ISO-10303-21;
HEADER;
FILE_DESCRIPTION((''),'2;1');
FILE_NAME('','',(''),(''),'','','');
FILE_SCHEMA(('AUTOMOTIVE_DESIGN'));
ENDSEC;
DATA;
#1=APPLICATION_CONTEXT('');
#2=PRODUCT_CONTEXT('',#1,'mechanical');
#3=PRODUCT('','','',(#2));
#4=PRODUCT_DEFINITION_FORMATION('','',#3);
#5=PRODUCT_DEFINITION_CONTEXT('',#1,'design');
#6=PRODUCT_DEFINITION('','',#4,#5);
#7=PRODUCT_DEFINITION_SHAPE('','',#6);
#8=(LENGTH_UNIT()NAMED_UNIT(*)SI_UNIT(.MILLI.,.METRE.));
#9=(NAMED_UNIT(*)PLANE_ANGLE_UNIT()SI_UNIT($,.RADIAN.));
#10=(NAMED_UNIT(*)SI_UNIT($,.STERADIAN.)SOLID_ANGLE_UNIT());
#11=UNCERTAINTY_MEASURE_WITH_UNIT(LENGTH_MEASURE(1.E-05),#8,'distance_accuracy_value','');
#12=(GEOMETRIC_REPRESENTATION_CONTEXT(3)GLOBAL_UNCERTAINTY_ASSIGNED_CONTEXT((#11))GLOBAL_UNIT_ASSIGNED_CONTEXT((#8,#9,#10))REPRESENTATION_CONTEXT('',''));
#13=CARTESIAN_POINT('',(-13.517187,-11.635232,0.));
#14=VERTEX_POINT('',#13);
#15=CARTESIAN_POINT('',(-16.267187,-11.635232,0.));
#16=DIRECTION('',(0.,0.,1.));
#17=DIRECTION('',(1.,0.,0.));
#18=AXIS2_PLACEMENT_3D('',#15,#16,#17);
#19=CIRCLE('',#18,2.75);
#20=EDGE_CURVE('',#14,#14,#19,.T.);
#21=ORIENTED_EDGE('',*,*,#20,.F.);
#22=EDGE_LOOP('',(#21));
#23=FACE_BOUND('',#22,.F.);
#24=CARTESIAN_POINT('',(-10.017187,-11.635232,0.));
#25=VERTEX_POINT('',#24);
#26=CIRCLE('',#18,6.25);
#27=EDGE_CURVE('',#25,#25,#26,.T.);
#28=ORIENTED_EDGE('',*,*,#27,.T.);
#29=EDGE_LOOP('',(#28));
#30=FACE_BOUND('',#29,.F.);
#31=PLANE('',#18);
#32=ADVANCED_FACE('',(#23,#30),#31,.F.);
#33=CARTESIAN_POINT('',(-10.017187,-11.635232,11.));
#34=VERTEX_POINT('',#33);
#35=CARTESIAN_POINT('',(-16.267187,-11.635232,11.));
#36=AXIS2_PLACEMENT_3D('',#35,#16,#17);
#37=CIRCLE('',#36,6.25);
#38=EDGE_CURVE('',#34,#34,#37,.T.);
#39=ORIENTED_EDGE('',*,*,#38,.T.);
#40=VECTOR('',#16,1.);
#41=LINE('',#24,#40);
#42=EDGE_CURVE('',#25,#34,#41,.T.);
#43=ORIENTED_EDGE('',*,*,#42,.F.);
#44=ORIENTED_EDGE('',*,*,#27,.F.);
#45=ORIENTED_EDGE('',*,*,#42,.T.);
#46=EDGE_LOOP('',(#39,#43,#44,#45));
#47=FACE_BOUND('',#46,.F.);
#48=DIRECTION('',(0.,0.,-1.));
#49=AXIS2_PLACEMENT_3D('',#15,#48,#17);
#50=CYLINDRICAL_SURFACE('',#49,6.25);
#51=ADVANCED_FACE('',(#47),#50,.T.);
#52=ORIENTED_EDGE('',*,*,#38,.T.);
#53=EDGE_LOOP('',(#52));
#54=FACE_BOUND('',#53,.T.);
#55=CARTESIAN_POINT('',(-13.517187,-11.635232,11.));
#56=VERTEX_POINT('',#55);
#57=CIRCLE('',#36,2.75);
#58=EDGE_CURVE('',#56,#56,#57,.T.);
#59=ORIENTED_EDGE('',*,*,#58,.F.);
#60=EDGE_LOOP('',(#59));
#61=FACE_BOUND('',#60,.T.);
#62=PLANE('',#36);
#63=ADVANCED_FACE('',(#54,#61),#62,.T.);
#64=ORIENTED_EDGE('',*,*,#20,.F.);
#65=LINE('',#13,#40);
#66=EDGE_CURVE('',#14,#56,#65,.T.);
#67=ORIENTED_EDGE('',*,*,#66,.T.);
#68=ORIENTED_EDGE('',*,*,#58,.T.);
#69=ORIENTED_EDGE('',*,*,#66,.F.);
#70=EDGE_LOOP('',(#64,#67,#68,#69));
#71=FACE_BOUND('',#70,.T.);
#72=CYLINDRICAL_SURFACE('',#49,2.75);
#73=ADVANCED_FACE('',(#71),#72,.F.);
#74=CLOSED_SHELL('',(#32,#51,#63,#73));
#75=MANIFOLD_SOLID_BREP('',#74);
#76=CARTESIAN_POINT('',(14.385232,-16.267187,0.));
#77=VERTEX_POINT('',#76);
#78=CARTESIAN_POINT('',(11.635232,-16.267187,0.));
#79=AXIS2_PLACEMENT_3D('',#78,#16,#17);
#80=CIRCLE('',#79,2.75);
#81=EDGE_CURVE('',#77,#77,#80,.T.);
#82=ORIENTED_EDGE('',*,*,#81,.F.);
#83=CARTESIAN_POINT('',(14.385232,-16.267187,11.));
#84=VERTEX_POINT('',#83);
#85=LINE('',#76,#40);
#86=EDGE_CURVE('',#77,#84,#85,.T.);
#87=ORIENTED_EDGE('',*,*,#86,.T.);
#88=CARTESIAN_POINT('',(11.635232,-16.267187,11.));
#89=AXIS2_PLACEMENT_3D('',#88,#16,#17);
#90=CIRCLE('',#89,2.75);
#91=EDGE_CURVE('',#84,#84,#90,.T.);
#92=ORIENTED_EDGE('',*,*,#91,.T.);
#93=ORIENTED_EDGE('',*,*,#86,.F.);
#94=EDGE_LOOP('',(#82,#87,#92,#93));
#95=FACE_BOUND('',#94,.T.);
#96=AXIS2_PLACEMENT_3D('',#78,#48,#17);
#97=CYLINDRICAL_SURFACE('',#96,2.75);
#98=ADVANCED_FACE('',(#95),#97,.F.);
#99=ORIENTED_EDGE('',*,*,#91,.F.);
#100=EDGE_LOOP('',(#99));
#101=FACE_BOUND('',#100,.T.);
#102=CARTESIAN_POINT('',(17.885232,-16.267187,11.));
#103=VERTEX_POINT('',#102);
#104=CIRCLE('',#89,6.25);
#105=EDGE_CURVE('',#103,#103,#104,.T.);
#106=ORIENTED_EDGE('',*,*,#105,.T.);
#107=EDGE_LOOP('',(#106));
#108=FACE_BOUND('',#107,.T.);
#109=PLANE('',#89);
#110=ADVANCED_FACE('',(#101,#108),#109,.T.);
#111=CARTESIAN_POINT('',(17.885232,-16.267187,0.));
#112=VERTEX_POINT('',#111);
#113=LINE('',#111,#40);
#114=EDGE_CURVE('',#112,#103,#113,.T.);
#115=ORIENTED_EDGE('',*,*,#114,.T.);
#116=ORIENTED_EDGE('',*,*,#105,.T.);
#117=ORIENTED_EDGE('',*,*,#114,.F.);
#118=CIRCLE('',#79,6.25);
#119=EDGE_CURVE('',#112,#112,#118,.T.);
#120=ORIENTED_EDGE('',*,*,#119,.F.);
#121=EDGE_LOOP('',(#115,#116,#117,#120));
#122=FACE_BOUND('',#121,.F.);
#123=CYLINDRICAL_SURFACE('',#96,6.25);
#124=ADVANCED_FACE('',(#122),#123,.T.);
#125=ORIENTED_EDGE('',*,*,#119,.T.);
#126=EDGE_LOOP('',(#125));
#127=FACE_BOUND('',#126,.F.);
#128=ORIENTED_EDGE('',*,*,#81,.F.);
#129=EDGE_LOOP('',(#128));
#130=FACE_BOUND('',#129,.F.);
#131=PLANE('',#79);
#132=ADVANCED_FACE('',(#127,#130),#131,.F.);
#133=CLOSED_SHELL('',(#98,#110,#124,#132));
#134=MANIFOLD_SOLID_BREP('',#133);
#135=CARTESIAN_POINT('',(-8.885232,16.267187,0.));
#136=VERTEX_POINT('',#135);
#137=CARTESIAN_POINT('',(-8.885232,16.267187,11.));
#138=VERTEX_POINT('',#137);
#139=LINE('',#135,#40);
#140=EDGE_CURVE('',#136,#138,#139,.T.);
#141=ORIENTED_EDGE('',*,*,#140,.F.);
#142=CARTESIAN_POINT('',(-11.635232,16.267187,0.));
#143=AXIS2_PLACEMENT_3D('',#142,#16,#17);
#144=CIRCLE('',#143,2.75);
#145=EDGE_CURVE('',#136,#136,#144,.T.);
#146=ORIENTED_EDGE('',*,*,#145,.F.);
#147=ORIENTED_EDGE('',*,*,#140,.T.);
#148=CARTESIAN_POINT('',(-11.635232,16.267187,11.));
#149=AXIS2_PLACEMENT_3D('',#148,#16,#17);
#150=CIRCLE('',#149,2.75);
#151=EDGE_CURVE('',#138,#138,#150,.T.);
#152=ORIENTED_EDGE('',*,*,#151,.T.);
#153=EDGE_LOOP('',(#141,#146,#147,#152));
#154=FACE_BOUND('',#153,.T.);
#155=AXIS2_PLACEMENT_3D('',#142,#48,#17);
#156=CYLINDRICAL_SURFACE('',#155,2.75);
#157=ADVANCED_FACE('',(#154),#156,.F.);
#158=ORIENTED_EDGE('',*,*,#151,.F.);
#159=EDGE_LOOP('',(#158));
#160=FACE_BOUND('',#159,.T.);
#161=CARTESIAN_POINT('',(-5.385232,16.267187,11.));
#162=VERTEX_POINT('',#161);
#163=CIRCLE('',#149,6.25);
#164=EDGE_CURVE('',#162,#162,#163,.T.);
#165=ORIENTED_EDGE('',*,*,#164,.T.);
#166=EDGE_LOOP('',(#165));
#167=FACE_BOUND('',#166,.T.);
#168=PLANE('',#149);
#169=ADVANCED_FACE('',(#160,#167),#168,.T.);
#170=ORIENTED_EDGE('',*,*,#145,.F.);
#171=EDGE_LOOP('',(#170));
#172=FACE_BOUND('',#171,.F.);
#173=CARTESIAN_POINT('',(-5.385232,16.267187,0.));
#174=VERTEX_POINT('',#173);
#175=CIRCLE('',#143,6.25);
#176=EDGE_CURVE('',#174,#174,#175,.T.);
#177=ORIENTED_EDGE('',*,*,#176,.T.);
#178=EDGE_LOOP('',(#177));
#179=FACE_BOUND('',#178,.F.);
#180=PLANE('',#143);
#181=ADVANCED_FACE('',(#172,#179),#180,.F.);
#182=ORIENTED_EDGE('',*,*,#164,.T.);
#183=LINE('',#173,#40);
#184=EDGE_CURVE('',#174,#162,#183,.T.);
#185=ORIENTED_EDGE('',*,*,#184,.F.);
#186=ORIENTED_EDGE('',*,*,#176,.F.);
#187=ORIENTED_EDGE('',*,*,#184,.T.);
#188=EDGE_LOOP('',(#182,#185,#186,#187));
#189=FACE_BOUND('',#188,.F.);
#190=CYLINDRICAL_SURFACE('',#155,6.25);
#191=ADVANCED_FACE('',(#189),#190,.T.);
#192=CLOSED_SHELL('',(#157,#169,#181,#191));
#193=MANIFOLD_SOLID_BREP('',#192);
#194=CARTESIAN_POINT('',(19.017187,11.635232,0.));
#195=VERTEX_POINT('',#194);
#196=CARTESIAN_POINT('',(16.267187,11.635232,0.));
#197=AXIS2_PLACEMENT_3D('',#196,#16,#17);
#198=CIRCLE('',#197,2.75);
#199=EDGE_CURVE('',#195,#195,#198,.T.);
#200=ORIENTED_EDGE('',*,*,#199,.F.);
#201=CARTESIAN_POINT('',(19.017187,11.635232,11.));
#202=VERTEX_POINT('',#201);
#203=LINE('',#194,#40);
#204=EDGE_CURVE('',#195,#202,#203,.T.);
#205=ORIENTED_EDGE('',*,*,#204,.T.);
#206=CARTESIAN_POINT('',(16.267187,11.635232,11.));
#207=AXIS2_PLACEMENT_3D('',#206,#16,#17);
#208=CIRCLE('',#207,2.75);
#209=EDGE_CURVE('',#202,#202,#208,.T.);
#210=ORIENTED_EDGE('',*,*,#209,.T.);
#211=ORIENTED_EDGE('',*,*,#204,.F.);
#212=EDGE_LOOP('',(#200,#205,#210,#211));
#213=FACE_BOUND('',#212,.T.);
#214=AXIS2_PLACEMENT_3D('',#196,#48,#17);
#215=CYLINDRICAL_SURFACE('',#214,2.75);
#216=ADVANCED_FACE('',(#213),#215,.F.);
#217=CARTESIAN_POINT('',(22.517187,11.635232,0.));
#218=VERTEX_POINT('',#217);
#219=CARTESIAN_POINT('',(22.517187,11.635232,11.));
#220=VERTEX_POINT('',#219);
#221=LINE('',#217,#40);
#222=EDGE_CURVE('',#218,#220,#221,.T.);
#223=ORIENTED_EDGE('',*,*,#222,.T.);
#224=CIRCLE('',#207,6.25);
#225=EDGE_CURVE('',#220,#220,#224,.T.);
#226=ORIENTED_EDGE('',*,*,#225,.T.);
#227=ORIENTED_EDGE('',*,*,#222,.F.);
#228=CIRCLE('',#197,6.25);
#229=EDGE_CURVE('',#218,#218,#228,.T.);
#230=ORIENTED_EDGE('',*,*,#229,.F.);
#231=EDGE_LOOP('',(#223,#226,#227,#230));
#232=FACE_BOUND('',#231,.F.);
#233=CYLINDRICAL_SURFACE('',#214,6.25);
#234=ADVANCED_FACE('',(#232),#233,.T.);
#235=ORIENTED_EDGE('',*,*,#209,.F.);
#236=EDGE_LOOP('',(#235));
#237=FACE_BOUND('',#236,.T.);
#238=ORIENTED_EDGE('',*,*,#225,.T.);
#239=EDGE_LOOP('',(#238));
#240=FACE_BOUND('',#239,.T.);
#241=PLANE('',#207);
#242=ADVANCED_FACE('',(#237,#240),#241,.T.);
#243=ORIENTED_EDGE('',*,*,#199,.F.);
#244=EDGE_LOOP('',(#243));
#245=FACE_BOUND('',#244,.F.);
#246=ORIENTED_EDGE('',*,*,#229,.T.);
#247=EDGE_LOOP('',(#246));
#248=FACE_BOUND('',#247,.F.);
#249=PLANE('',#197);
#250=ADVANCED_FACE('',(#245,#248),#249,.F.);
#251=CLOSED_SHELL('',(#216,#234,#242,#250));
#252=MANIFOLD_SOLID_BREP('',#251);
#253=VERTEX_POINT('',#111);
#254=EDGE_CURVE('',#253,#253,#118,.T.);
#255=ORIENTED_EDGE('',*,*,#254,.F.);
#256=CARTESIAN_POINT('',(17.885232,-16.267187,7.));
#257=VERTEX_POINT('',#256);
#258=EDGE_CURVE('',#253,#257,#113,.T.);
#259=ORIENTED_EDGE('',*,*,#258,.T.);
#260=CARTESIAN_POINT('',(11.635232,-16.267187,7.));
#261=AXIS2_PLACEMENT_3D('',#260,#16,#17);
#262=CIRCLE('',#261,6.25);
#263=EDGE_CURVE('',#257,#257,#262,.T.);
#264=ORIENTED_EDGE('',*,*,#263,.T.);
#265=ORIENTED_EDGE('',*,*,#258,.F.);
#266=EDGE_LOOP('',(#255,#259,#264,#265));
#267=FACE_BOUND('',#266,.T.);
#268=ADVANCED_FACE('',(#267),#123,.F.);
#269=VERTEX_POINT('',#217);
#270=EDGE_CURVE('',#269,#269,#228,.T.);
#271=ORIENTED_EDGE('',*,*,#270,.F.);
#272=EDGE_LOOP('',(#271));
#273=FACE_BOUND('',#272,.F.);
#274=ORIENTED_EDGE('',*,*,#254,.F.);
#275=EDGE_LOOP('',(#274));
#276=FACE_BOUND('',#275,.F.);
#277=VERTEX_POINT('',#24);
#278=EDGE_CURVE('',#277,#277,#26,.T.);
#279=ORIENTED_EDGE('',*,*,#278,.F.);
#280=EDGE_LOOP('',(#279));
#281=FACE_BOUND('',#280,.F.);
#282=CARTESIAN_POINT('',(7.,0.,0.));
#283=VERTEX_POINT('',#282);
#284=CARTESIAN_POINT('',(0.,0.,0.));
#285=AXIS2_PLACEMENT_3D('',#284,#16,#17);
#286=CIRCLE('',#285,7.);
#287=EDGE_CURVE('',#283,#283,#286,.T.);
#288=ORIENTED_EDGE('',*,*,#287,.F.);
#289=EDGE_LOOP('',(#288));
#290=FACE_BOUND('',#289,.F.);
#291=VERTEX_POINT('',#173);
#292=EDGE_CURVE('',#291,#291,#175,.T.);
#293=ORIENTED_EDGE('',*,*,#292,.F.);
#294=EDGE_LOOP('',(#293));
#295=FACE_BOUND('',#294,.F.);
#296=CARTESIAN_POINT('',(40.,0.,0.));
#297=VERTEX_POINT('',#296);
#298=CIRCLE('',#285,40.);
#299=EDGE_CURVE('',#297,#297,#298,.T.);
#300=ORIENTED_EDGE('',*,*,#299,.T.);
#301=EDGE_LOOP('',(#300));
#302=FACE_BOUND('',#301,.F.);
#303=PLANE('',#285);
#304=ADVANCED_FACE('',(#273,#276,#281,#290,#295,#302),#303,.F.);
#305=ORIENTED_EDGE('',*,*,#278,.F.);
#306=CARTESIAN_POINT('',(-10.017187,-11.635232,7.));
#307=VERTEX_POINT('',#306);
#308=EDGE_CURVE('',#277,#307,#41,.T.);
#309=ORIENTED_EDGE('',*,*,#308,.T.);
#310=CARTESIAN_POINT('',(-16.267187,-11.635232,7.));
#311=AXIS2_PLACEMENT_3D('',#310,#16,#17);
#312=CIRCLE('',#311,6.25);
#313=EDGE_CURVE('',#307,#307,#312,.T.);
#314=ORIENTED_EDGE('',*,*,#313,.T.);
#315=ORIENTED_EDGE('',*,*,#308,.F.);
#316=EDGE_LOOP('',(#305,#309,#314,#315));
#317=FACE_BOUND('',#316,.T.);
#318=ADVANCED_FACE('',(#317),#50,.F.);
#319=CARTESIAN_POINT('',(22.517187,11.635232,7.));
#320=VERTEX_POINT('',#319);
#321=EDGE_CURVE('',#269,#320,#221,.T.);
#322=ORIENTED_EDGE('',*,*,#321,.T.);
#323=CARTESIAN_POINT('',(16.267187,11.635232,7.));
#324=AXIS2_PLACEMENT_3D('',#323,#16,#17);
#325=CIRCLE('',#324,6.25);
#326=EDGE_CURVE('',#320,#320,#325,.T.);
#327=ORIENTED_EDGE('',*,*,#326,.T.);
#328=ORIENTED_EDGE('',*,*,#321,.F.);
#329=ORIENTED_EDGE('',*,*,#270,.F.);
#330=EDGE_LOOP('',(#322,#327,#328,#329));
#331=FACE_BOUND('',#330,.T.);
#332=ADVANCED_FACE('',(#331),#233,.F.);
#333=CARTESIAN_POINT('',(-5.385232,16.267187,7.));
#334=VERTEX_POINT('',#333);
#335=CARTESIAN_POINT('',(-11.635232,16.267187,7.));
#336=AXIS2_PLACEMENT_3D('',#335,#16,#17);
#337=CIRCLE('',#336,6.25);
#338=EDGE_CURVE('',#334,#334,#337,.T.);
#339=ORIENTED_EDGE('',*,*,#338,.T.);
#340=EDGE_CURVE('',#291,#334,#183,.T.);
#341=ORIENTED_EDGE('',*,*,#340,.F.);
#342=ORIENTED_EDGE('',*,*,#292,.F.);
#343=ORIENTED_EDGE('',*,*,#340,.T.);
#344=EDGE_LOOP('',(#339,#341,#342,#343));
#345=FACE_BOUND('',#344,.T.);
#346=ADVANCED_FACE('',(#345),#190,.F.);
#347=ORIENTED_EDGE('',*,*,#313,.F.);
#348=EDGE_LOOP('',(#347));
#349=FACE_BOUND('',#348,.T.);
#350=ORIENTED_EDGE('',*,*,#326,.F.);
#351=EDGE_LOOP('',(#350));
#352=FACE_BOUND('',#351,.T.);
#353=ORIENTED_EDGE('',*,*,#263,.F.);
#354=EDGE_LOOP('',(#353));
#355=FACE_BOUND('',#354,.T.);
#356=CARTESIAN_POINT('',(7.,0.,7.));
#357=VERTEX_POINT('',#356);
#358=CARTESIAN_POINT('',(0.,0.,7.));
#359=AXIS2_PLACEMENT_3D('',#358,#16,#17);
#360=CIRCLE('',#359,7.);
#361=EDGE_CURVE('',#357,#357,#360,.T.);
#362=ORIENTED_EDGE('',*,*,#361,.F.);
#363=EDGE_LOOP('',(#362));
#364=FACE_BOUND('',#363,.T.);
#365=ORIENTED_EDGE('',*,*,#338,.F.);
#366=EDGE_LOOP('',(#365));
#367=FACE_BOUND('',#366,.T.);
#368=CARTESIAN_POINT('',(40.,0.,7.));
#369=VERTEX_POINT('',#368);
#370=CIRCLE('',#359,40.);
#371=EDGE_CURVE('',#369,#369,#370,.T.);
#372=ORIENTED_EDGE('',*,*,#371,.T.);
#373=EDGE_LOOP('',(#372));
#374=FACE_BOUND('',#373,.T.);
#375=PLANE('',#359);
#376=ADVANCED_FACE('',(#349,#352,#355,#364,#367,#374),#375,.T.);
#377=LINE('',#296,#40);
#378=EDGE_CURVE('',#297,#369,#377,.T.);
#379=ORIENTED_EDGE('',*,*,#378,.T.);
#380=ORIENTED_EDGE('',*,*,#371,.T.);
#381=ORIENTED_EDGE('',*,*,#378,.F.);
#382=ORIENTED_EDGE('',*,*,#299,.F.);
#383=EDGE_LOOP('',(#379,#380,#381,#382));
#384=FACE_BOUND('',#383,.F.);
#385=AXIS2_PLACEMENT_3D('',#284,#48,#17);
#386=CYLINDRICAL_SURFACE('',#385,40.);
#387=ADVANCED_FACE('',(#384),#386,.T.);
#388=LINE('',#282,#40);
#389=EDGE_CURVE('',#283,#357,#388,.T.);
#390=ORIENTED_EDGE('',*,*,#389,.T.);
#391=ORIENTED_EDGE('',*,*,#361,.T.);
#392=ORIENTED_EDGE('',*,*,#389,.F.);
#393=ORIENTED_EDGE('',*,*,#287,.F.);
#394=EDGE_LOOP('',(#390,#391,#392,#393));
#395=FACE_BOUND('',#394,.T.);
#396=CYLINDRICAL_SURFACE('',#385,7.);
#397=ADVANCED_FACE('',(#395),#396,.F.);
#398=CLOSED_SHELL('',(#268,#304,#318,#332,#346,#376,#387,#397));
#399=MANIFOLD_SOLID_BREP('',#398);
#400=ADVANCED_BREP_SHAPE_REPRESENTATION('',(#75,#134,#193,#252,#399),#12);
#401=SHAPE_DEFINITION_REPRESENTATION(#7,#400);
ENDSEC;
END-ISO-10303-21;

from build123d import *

# Parameters (mm, degrees)
F0_R     = 40
F0_R_2   = 6.25
F0_R_3   = 7
F1_DEPTH = 7
F0_R_4   = 2.75
F2_DEPTH = 11


with BuildPart() as f1:
    # F0 (on Top) → F1 (new body)
    with BuildSketch(Plane.XY):
        Circle(F0_R)
        with Locations((-16.267187, -11.635232)):
            Circle(F0_R_2, mode=Mode.SUBTRACT)
        with Locations((11.635232, -16.267187)):
            Circle(F0_R_2, mode=Mode.SUBTRACT)
        with Locations((-11.635232, 16.267187)):
            Circle(F0_R_2, mode=Mode.SUBTRACT)
        Circle(F0_R_3, mode=Mode.SUBTRACT)
        with Locations((16.267187, 11.635232)):
            Circle(F0_R_2, mode=Mode.SUBTRACT)
    extrude(amount=F1_DEPTH)


with BuildPart() as f2:
    # F0 (on Top) → F2 (new body)
    with BuildSketch(Plane.XY):
        with Locations((-11.635232, 16.267187)):
            Circle(F0_R_2)
        with Locations((-11.635232, 16.267187)):
            Circle(F0_R_4, mode=Mode.SUBTRACT)
        with Locations((-16.267187, -11.635232)):
            Circle(F0_R_2)
        with Locations((-16.267187, -11.635232)):
            Circle(F0_R_4, mode=Mode.SUBTRACT)
        with Locations((11.635232, -16.267187)):
            Circle(F0_R_2)
        with Locations((11.635232, -16.267187)):
            Circle(F0_R_4, mode=Mode.SUBTRACT)
        with Locations((16.267187, 11.635232)):
            Circle(F0_R_2)
        with Locations((16.267187, 11.635232)):
            Circle(F0_R_4, mode=Mode.SUBTRACT)
    extrude(amount=F2_DEPTH)


solid = Compound([f1.part, f2.part])
